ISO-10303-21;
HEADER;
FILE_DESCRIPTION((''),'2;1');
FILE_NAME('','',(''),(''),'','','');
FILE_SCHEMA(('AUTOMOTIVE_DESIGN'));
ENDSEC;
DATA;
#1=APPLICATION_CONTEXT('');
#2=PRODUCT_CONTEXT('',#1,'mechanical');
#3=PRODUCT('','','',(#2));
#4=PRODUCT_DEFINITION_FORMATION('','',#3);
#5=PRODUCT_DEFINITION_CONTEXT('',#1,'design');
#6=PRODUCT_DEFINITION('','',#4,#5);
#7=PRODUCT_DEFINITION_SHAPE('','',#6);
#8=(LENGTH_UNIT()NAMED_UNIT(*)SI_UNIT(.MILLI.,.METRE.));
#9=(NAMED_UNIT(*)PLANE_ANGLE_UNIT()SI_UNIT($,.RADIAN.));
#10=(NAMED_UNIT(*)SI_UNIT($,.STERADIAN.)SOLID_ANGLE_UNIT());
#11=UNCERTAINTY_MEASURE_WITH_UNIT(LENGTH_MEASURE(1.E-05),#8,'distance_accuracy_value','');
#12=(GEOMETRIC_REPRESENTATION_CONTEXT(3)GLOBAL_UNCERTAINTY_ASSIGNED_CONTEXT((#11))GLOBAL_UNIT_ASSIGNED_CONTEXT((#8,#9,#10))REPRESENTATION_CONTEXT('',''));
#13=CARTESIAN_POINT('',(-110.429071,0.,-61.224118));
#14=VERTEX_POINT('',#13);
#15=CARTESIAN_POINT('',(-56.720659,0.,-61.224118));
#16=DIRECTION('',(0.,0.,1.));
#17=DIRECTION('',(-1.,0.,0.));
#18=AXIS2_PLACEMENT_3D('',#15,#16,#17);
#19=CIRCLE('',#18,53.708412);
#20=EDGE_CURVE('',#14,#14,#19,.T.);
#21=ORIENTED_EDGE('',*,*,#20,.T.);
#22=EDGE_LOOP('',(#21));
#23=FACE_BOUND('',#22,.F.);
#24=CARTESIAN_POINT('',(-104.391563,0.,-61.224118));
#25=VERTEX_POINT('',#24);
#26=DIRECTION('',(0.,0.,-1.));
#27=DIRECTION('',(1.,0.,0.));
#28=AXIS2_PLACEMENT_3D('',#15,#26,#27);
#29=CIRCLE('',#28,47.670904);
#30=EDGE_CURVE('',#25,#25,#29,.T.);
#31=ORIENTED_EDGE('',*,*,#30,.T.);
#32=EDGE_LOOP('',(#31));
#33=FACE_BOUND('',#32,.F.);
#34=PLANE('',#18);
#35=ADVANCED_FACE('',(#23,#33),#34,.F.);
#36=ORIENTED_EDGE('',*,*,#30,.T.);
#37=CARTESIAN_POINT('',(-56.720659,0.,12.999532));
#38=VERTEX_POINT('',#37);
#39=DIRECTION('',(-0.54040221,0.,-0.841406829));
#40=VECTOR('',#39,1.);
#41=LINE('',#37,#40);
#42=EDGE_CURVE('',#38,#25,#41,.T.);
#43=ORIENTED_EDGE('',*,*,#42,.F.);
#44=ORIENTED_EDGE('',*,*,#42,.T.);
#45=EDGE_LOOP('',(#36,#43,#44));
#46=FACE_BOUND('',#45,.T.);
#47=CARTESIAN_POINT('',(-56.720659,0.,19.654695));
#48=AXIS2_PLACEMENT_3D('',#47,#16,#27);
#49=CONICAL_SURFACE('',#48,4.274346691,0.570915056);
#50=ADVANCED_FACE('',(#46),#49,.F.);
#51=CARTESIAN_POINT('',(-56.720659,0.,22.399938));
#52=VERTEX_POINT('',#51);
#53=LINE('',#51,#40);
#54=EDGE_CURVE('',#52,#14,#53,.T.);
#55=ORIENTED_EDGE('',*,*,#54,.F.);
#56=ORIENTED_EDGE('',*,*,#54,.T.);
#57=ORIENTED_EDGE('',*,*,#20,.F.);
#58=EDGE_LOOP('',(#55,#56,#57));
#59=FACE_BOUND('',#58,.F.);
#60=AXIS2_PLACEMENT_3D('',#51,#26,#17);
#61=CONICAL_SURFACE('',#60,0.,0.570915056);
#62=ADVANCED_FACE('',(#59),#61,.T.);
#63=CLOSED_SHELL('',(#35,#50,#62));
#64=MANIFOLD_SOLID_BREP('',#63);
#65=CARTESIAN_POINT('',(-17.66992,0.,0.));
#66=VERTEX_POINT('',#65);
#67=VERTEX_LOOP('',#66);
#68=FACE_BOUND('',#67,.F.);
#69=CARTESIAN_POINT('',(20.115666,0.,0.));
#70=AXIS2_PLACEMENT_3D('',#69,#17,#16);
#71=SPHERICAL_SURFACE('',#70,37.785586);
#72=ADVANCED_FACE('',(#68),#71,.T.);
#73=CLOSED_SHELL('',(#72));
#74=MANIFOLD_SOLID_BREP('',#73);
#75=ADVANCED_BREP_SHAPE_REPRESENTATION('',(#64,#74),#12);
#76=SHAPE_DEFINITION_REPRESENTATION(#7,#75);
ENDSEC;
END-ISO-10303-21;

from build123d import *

# Parameters (mm, degrees)
F4_T = -5.08


with BuildPart() as f1:
    # F0 (on Front) → F1 (revolve)
    with BuildSketch(Plane.XZ):
        with BuildLine():
            ThreePointArc((57.9012525599, 0), (20.1156660914, 37.7855864685), (-17.6699203771, 0))
            Line((-17.6699203771, 0), (57.9012525599, 0))
        make_face()
    revolve(axis=Axis((20.1156660914, 0, 0), (1, 0, 0)))


with BuildPart() as f3:
    # F2 (on Front) → F3 (revolve)
    with BuildSketch(Plane.XZ):
        Polygon((-110.4290708899, -61.2241178751), (-56.7206591368, -61.2241178751), (-56.7206591368, 22.399937734), align=None)
    revolve(axis=Axis((-56.7206591368, 0, -19.4120900705), (0, 0, 1)))

    # F4
    f4_openings = [f3.faces().sort_by_distance(p)[0] for p in [
        (-56.720659, 0, -61.224118),
    ]]
    offset(amount=F4_T, openings=f4_openings)


solid = Compound([f1.part, f3.part])
